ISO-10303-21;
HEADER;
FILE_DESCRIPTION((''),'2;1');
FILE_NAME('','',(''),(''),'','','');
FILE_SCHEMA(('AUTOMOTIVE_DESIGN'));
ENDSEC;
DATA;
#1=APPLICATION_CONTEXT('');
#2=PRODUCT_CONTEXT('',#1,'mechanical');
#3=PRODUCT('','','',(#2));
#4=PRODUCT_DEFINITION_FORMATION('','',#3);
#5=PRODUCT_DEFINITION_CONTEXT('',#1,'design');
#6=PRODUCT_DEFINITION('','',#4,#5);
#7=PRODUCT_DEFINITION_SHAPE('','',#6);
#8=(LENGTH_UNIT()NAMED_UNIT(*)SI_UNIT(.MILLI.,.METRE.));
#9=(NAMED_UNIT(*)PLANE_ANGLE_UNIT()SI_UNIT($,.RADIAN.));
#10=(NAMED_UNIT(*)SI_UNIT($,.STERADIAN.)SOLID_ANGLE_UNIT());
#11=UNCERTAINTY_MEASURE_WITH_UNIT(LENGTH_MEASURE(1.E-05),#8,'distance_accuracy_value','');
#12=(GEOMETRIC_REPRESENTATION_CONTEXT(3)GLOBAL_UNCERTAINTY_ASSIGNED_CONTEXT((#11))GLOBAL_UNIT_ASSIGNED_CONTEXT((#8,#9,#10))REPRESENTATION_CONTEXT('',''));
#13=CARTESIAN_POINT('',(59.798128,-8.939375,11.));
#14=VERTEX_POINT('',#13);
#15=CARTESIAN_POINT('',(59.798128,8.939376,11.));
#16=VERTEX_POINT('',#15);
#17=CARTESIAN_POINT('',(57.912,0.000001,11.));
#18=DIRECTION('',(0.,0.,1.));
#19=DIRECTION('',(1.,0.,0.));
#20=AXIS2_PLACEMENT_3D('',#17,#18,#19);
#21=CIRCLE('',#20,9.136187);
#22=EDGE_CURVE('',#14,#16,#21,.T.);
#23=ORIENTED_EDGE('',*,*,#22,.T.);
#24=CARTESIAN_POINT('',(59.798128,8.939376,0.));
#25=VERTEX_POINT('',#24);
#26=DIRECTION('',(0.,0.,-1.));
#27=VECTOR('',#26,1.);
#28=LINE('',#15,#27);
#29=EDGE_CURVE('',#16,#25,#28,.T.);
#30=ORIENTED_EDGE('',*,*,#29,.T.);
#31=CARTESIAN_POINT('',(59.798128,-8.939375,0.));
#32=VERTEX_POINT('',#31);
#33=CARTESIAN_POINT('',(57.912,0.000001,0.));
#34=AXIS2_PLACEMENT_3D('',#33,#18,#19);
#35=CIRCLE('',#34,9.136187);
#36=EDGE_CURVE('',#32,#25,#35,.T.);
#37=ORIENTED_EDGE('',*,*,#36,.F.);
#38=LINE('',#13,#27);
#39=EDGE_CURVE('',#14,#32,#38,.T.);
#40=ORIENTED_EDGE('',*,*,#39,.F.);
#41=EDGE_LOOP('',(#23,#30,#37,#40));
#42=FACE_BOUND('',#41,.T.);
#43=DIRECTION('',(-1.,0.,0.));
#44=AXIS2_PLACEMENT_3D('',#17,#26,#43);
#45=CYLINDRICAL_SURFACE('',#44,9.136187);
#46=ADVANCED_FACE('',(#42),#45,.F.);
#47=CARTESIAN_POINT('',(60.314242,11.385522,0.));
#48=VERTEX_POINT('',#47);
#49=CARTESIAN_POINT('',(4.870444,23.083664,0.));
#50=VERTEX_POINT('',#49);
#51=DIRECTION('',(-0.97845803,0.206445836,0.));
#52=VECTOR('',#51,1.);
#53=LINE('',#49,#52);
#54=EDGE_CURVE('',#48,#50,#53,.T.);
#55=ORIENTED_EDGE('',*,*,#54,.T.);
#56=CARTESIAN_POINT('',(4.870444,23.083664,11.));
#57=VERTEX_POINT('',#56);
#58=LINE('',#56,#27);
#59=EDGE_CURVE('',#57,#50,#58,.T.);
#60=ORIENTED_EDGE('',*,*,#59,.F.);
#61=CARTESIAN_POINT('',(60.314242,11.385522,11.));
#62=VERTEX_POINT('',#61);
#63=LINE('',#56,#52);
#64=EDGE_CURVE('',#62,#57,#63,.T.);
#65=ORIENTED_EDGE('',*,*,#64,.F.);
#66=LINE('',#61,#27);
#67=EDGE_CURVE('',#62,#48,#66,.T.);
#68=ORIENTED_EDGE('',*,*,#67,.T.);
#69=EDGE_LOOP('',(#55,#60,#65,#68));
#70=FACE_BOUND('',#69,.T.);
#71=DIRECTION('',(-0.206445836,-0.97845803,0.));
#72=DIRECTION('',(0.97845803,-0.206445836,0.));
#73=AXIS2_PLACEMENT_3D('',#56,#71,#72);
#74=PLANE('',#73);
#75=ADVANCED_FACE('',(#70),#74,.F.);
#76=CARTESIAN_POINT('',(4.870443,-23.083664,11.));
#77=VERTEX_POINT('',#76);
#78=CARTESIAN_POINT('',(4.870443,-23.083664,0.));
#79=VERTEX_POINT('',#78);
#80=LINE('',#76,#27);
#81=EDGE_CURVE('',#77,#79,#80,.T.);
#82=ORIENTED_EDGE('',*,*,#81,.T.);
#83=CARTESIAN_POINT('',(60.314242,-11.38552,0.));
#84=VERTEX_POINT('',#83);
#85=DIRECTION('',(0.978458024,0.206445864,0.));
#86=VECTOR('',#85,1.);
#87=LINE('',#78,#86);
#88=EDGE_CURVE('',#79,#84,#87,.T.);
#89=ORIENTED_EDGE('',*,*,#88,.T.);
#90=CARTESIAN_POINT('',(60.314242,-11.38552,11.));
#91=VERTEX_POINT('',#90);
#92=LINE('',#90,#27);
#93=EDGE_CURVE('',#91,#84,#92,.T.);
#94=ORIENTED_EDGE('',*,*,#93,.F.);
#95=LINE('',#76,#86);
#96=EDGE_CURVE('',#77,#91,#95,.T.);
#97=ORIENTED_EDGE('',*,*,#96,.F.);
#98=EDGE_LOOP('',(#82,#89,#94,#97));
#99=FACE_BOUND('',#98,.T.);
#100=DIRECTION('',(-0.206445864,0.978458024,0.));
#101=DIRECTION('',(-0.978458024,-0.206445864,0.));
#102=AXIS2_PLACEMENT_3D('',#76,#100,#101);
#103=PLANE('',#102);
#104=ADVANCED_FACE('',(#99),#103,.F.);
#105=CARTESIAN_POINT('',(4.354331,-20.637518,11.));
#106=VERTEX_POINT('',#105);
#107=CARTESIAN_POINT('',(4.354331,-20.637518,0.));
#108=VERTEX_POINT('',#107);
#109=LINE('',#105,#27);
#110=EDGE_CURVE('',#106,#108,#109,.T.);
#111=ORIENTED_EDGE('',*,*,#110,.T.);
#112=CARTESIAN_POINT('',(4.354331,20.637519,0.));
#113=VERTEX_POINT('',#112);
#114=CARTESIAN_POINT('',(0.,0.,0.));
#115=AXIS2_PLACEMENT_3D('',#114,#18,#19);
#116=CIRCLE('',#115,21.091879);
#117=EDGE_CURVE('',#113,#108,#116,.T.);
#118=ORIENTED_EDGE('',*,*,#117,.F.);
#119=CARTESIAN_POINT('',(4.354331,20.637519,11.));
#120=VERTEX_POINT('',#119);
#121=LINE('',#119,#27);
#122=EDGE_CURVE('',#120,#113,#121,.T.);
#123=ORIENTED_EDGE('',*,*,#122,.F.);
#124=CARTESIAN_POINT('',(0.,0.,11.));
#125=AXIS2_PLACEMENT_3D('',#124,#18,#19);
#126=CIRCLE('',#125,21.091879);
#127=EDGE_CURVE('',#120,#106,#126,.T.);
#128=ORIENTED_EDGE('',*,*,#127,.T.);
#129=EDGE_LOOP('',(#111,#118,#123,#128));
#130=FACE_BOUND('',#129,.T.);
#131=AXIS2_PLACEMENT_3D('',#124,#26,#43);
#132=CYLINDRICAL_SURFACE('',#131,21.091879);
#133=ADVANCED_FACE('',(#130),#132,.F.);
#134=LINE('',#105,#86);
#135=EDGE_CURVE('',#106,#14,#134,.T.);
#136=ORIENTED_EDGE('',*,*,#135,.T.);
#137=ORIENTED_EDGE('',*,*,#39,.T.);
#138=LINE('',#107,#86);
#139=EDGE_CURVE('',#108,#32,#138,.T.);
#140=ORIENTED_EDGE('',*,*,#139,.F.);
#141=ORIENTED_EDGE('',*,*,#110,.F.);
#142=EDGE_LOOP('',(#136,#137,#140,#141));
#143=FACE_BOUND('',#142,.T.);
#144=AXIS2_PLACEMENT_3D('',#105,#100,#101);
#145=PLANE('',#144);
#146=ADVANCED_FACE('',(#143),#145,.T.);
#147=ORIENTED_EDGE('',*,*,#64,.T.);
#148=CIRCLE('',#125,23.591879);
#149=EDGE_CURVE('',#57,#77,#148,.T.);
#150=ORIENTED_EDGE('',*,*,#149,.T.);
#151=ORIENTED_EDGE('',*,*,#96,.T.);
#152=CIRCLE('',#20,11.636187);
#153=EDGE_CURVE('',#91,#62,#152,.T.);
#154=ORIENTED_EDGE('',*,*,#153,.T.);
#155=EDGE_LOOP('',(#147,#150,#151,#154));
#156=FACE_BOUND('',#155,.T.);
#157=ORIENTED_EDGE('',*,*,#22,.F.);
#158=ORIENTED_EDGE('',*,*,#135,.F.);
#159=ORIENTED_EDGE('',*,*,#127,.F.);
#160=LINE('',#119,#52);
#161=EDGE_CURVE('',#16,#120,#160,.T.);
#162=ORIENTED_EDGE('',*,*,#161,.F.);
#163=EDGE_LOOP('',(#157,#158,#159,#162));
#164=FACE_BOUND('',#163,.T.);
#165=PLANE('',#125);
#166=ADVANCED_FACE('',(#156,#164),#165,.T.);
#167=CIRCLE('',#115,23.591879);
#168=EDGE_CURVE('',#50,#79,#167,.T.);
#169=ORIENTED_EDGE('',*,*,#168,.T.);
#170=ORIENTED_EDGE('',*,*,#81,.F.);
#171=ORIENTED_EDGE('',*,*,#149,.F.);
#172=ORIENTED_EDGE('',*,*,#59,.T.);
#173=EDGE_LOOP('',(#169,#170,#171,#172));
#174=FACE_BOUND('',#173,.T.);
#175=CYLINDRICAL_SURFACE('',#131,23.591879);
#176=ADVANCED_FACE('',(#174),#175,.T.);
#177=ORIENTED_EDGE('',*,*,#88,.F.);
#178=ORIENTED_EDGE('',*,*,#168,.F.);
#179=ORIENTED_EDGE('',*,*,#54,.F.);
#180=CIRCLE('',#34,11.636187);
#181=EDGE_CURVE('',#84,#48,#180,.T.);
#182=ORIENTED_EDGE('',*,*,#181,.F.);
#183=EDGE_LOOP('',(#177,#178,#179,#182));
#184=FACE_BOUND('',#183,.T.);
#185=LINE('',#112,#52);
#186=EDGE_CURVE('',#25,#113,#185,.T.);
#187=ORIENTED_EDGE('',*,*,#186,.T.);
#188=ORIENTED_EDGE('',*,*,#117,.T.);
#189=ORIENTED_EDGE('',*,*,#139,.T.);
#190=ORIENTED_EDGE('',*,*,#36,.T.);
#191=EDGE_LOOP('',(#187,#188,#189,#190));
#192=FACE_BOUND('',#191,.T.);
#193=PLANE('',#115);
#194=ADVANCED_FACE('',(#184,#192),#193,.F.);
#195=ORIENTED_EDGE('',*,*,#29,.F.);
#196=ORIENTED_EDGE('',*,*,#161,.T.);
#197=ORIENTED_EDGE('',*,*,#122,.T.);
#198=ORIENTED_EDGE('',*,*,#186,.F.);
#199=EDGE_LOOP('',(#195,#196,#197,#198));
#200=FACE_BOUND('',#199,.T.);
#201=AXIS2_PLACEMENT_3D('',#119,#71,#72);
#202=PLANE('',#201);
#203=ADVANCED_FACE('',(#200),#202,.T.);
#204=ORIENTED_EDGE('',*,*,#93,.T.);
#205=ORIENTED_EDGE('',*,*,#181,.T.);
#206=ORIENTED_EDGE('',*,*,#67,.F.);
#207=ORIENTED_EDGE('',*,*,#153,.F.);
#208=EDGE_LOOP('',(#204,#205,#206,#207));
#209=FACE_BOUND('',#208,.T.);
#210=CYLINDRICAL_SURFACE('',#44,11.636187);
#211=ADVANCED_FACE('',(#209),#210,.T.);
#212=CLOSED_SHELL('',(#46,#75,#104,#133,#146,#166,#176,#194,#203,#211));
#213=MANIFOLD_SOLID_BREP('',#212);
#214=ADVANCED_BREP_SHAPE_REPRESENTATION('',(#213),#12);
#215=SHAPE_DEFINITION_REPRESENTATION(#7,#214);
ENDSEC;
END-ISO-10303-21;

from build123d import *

# Parameters (mm, degrees)
BOSS_EXTRUDE1_DEPTH = 11


with BuildPart() as part:
    # Sketch1 → Boss-Extrude1 (new body)
    with BuildSketch(Plane.XY):
        with BuildLine():
            Line((4.870444436, 23.083663755), (60.314241777, 11.385521645))
            ThreePointArc((60.314241777, 11.385521645), (69.548187077, 8.15e-07), (60.31424174, -11.385519984))
            Line((60.31424174, -11.385519984), (4.87044284, -23.083664092))
            ThreePointArc((4.87044284, -23.083664092), (-23.59187914, 8.15e-07), (4.870444436, 23.083663755))
        make_face()
        with BuildLine():
            Line((4.354330619, 20.637518516), (59.798127778, 8.939376445))
            ThreePointArc((59.798127778, 8.939376445), (67.048187077, 9.66e-07), (59.798128035, -8.939374722))
            Line((59.798128035, -8.939374722), (4.354331214, -20.637518391))
            ThreePointArc((4.354331214, -20.637518391), (-21.09187914, -3.04e-07), (4.354330619, 20.637518516))
        make_face(mode=Mode.SUBTRACT)
    extrude(amount=BOSS_EXTRUDE1_DEPTH)


solid = part.part
